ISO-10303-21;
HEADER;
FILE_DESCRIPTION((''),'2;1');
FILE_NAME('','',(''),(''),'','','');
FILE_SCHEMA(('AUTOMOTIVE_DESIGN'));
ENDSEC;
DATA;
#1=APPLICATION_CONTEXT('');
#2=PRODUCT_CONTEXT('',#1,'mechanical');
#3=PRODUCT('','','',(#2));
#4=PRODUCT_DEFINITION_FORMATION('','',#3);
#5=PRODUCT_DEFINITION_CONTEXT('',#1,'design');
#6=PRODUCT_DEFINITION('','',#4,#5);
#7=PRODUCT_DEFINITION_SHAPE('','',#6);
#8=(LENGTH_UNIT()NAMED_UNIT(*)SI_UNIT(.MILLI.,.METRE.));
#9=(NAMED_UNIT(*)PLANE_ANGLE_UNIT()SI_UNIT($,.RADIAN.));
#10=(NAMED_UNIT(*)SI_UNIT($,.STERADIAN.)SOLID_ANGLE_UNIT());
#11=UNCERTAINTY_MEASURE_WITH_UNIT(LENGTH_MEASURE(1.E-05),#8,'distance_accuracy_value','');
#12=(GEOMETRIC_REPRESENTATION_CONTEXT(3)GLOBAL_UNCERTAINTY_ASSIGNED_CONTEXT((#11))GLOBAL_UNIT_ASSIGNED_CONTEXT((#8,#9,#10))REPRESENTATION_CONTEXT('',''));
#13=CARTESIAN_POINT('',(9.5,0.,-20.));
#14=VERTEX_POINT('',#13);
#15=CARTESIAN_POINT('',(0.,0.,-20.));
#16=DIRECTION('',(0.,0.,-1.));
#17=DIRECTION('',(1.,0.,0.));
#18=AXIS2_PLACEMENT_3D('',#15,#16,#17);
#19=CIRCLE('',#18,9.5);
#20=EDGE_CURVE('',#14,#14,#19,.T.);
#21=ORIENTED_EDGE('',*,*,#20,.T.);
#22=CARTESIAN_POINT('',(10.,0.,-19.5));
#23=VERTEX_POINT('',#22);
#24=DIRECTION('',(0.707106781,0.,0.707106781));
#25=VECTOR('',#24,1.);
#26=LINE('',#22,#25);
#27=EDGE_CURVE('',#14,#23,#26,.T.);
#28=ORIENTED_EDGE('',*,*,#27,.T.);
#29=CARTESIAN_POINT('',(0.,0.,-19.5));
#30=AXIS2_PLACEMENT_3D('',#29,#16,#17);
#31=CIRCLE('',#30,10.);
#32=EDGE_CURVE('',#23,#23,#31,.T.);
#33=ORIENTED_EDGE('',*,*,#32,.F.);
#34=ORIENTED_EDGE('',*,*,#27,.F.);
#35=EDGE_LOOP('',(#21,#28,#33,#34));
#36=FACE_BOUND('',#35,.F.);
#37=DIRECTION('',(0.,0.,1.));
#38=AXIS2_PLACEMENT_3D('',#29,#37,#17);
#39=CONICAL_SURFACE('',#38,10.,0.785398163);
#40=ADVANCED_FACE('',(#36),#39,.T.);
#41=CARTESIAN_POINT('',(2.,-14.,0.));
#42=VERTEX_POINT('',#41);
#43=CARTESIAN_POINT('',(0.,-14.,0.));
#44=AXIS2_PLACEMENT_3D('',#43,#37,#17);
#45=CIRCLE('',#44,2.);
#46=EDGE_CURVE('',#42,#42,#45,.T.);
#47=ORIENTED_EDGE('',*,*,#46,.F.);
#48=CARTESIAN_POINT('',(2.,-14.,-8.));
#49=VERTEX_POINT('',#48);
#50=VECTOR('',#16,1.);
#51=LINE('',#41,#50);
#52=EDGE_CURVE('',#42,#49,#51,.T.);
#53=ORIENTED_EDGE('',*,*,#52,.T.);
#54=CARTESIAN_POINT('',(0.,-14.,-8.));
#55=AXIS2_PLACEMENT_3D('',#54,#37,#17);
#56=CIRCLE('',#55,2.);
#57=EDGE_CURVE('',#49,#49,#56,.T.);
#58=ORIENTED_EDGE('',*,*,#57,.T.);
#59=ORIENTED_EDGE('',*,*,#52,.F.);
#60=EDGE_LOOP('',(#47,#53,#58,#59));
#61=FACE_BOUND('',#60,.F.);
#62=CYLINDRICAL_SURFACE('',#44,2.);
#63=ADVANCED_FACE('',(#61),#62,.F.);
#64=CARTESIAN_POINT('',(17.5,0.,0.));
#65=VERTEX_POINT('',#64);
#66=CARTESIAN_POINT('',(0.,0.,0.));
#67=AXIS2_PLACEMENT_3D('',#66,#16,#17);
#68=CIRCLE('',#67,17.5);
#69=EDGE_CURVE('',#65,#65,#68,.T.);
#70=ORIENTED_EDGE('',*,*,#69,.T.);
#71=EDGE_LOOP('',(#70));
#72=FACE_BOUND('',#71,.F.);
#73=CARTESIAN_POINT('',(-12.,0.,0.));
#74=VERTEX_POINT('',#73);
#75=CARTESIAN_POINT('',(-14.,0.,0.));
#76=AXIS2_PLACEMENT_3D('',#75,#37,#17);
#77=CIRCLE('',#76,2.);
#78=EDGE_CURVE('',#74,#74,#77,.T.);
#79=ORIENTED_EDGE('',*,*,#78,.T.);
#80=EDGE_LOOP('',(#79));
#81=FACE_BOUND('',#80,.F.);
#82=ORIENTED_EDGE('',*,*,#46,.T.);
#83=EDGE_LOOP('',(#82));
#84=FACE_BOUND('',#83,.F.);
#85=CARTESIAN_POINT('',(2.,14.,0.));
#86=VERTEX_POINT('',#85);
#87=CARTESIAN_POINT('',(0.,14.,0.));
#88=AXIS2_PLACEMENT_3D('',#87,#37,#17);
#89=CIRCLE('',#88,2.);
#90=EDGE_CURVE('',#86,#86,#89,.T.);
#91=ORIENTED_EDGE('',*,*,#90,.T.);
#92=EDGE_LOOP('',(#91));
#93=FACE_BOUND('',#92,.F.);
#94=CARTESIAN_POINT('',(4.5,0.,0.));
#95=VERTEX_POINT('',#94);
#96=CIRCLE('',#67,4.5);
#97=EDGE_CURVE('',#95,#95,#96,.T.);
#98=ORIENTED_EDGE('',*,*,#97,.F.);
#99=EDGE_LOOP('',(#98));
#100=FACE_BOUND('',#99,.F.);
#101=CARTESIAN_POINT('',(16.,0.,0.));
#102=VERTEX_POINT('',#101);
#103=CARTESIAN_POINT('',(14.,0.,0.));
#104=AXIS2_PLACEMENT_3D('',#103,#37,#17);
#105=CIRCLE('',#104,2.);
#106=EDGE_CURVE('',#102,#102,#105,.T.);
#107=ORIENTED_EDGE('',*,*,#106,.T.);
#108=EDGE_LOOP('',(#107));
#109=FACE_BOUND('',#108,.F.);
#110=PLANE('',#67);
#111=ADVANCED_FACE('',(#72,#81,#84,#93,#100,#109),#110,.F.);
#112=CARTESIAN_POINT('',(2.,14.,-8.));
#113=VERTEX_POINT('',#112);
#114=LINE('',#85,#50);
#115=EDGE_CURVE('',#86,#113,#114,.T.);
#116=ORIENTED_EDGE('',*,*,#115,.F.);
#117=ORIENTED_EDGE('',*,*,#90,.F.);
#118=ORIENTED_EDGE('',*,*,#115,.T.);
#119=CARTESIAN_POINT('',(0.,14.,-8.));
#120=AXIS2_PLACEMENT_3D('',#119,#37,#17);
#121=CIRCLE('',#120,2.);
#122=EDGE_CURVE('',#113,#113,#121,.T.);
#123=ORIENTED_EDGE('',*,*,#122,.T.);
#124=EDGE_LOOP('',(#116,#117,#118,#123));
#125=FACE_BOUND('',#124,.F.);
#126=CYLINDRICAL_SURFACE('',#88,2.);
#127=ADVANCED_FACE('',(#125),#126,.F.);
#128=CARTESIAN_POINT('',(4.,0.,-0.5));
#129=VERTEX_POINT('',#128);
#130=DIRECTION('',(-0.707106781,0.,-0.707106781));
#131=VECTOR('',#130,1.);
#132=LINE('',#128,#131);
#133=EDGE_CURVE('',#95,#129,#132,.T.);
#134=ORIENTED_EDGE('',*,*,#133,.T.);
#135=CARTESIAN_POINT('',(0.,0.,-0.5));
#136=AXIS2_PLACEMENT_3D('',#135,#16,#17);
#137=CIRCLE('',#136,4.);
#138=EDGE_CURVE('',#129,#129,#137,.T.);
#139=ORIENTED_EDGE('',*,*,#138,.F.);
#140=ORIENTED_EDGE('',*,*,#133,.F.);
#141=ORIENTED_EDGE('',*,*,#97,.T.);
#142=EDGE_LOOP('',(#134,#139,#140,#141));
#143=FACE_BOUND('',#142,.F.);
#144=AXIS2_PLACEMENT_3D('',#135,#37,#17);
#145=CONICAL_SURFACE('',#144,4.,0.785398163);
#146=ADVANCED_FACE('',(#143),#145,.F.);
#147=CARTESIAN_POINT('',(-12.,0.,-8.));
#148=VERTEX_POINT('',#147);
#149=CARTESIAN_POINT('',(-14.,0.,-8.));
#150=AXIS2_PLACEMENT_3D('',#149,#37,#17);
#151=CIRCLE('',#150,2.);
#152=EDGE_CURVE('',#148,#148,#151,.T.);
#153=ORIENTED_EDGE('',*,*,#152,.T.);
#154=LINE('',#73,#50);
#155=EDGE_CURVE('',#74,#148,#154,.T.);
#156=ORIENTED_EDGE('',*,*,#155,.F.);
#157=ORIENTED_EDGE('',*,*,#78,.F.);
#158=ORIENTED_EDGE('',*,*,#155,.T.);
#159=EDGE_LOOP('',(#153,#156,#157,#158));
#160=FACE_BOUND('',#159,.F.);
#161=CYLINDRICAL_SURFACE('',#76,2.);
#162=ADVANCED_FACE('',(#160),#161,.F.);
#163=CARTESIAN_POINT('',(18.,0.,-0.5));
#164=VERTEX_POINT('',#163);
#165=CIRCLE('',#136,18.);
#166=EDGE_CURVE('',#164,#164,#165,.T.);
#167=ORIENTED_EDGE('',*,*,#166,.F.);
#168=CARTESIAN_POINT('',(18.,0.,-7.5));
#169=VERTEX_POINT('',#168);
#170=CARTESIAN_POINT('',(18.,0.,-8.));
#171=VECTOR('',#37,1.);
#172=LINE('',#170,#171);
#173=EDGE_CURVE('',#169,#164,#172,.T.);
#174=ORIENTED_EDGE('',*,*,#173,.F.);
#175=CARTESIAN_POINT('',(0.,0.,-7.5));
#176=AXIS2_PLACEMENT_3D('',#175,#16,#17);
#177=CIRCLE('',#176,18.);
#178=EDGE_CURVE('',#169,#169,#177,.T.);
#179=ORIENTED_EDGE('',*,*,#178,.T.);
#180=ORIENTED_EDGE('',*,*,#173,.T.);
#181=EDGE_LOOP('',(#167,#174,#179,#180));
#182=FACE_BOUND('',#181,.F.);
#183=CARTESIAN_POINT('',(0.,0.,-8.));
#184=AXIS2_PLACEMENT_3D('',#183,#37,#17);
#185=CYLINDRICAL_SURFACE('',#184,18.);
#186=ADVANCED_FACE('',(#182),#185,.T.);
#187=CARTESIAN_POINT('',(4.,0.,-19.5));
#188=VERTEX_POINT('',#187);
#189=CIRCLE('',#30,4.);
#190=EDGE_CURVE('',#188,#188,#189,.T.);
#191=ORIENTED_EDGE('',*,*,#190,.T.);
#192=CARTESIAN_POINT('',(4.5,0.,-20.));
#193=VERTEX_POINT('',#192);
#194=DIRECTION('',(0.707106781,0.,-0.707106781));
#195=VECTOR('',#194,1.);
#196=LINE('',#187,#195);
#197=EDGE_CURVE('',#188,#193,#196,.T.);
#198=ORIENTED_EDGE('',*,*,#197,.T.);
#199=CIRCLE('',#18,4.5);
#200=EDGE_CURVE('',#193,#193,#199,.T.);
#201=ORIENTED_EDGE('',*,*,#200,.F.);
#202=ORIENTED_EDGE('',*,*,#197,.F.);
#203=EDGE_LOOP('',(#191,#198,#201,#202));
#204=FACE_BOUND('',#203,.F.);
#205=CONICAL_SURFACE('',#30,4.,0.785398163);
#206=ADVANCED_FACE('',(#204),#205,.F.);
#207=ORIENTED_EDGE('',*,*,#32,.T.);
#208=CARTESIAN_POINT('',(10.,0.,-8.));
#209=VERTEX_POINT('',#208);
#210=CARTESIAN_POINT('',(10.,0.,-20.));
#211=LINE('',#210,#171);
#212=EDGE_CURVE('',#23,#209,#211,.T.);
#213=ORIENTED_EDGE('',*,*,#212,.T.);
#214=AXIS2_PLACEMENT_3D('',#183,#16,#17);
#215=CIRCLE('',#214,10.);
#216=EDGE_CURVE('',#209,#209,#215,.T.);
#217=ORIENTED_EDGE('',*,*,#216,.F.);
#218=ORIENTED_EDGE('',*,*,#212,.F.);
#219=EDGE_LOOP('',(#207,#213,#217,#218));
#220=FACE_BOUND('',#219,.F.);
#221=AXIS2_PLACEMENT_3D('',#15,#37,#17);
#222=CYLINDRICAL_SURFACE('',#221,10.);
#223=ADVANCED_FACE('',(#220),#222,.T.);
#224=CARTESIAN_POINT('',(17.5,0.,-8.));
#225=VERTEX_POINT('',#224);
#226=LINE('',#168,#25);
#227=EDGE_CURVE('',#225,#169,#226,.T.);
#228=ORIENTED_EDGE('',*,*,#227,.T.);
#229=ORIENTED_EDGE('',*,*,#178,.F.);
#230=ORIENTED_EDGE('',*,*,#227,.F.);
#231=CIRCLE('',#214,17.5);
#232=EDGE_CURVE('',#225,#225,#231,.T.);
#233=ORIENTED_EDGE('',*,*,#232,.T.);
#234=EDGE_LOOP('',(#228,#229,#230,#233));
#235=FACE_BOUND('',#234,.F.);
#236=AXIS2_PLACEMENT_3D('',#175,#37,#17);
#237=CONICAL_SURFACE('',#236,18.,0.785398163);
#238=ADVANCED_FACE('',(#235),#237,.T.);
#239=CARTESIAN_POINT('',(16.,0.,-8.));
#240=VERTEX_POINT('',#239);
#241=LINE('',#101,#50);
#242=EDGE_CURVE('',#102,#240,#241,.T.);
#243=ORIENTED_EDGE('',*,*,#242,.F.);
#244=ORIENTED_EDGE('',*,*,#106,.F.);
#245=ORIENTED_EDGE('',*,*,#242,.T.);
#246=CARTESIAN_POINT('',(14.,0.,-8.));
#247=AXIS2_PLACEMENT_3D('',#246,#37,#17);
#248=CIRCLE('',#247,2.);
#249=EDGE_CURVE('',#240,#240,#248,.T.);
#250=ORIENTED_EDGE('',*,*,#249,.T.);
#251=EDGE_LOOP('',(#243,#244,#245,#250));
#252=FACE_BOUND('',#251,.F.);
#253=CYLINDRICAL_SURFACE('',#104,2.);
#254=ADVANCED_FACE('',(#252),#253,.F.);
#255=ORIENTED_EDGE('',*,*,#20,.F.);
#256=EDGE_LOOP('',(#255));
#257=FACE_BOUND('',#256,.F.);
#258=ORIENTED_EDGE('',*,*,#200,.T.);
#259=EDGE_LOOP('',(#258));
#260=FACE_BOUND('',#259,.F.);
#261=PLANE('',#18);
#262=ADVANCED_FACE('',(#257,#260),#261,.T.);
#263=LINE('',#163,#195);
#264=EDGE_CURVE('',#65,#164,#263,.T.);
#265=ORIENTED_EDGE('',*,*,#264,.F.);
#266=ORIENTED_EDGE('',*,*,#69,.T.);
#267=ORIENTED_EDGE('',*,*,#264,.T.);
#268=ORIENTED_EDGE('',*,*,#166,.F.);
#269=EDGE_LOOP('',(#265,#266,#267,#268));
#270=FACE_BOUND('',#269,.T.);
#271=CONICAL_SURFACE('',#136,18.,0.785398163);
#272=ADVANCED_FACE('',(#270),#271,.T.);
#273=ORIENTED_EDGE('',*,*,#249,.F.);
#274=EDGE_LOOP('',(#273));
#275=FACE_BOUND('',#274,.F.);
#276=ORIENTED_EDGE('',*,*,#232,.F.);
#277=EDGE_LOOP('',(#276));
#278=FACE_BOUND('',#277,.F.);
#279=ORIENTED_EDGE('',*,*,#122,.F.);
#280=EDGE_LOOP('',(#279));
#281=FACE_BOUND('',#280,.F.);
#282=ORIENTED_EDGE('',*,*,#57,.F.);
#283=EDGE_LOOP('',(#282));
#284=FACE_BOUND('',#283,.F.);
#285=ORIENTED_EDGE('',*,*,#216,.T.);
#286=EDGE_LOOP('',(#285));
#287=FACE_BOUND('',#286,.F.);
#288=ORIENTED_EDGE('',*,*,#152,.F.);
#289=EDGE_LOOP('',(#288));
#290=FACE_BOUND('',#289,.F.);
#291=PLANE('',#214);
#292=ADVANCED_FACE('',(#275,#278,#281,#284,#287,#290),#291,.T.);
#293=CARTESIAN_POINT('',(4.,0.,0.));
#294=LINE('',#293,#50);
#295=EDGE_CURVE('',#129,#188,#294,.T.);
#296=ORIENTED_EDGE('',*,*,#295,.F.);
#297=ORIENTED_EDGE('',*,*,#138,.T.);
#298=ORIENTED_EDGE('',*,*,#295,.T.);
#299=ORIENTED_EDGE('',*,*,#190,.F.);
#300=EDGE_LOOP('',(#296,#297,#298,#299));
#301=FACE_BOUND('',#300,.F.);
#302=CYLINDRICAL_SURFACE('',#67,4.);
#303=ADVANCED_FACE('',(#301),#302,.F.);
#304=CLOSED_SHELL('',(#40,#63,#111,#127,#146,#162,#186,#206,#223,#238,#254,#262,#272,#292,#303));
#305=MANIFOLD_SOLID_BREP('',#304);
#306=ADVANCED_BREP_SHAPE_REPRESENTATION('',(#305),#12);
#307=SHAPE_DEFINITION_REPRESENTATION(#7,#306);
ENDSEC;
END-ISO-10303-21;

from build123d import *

# Parameters (mm, degrees)
F2_SIZE  = 0.5
F3_R     = 2
F4_DEPTH = 25


with BuildPart() as f1:
    # F0 (on Front) → F1 (revolve)
    with BuildSketch(Plane.XZ):
        Polygon((18, 0), (4, 0), (4, -20), (10, -20), (10, -8), (18, -8), align=None)
    revolve(axis=Axis((0, 0, -14.821168), (0, 0, -1)))

    # F2
    f2_edges = [f1.edges().sort_by_distance(p)[0] for p in [
        (-18, 0, 0),
        (-18, 0, -8),
        (-10, 0, -20),
        (-4, 0, 0),
        (-4, 0, -20),
    ]]
    chamfer(f2_edges, length=F2_SIZE)

    # F3 (on face) → F4 (cut)
    with BuildSketch(Plane.XY):
        with Locations((14, 0)):
            Circle(F3_R)
        with Locations((-14, 0)):
            Circle(F3_R)
        with Locations((0, 14)):
            Circle(F3_R)
        with Locations((0, -14)):
            Circle(F3_R)
    extrude(amount=-F4_DEPTH, mode=Mode.SUBTRACT)


solid = f1.part
